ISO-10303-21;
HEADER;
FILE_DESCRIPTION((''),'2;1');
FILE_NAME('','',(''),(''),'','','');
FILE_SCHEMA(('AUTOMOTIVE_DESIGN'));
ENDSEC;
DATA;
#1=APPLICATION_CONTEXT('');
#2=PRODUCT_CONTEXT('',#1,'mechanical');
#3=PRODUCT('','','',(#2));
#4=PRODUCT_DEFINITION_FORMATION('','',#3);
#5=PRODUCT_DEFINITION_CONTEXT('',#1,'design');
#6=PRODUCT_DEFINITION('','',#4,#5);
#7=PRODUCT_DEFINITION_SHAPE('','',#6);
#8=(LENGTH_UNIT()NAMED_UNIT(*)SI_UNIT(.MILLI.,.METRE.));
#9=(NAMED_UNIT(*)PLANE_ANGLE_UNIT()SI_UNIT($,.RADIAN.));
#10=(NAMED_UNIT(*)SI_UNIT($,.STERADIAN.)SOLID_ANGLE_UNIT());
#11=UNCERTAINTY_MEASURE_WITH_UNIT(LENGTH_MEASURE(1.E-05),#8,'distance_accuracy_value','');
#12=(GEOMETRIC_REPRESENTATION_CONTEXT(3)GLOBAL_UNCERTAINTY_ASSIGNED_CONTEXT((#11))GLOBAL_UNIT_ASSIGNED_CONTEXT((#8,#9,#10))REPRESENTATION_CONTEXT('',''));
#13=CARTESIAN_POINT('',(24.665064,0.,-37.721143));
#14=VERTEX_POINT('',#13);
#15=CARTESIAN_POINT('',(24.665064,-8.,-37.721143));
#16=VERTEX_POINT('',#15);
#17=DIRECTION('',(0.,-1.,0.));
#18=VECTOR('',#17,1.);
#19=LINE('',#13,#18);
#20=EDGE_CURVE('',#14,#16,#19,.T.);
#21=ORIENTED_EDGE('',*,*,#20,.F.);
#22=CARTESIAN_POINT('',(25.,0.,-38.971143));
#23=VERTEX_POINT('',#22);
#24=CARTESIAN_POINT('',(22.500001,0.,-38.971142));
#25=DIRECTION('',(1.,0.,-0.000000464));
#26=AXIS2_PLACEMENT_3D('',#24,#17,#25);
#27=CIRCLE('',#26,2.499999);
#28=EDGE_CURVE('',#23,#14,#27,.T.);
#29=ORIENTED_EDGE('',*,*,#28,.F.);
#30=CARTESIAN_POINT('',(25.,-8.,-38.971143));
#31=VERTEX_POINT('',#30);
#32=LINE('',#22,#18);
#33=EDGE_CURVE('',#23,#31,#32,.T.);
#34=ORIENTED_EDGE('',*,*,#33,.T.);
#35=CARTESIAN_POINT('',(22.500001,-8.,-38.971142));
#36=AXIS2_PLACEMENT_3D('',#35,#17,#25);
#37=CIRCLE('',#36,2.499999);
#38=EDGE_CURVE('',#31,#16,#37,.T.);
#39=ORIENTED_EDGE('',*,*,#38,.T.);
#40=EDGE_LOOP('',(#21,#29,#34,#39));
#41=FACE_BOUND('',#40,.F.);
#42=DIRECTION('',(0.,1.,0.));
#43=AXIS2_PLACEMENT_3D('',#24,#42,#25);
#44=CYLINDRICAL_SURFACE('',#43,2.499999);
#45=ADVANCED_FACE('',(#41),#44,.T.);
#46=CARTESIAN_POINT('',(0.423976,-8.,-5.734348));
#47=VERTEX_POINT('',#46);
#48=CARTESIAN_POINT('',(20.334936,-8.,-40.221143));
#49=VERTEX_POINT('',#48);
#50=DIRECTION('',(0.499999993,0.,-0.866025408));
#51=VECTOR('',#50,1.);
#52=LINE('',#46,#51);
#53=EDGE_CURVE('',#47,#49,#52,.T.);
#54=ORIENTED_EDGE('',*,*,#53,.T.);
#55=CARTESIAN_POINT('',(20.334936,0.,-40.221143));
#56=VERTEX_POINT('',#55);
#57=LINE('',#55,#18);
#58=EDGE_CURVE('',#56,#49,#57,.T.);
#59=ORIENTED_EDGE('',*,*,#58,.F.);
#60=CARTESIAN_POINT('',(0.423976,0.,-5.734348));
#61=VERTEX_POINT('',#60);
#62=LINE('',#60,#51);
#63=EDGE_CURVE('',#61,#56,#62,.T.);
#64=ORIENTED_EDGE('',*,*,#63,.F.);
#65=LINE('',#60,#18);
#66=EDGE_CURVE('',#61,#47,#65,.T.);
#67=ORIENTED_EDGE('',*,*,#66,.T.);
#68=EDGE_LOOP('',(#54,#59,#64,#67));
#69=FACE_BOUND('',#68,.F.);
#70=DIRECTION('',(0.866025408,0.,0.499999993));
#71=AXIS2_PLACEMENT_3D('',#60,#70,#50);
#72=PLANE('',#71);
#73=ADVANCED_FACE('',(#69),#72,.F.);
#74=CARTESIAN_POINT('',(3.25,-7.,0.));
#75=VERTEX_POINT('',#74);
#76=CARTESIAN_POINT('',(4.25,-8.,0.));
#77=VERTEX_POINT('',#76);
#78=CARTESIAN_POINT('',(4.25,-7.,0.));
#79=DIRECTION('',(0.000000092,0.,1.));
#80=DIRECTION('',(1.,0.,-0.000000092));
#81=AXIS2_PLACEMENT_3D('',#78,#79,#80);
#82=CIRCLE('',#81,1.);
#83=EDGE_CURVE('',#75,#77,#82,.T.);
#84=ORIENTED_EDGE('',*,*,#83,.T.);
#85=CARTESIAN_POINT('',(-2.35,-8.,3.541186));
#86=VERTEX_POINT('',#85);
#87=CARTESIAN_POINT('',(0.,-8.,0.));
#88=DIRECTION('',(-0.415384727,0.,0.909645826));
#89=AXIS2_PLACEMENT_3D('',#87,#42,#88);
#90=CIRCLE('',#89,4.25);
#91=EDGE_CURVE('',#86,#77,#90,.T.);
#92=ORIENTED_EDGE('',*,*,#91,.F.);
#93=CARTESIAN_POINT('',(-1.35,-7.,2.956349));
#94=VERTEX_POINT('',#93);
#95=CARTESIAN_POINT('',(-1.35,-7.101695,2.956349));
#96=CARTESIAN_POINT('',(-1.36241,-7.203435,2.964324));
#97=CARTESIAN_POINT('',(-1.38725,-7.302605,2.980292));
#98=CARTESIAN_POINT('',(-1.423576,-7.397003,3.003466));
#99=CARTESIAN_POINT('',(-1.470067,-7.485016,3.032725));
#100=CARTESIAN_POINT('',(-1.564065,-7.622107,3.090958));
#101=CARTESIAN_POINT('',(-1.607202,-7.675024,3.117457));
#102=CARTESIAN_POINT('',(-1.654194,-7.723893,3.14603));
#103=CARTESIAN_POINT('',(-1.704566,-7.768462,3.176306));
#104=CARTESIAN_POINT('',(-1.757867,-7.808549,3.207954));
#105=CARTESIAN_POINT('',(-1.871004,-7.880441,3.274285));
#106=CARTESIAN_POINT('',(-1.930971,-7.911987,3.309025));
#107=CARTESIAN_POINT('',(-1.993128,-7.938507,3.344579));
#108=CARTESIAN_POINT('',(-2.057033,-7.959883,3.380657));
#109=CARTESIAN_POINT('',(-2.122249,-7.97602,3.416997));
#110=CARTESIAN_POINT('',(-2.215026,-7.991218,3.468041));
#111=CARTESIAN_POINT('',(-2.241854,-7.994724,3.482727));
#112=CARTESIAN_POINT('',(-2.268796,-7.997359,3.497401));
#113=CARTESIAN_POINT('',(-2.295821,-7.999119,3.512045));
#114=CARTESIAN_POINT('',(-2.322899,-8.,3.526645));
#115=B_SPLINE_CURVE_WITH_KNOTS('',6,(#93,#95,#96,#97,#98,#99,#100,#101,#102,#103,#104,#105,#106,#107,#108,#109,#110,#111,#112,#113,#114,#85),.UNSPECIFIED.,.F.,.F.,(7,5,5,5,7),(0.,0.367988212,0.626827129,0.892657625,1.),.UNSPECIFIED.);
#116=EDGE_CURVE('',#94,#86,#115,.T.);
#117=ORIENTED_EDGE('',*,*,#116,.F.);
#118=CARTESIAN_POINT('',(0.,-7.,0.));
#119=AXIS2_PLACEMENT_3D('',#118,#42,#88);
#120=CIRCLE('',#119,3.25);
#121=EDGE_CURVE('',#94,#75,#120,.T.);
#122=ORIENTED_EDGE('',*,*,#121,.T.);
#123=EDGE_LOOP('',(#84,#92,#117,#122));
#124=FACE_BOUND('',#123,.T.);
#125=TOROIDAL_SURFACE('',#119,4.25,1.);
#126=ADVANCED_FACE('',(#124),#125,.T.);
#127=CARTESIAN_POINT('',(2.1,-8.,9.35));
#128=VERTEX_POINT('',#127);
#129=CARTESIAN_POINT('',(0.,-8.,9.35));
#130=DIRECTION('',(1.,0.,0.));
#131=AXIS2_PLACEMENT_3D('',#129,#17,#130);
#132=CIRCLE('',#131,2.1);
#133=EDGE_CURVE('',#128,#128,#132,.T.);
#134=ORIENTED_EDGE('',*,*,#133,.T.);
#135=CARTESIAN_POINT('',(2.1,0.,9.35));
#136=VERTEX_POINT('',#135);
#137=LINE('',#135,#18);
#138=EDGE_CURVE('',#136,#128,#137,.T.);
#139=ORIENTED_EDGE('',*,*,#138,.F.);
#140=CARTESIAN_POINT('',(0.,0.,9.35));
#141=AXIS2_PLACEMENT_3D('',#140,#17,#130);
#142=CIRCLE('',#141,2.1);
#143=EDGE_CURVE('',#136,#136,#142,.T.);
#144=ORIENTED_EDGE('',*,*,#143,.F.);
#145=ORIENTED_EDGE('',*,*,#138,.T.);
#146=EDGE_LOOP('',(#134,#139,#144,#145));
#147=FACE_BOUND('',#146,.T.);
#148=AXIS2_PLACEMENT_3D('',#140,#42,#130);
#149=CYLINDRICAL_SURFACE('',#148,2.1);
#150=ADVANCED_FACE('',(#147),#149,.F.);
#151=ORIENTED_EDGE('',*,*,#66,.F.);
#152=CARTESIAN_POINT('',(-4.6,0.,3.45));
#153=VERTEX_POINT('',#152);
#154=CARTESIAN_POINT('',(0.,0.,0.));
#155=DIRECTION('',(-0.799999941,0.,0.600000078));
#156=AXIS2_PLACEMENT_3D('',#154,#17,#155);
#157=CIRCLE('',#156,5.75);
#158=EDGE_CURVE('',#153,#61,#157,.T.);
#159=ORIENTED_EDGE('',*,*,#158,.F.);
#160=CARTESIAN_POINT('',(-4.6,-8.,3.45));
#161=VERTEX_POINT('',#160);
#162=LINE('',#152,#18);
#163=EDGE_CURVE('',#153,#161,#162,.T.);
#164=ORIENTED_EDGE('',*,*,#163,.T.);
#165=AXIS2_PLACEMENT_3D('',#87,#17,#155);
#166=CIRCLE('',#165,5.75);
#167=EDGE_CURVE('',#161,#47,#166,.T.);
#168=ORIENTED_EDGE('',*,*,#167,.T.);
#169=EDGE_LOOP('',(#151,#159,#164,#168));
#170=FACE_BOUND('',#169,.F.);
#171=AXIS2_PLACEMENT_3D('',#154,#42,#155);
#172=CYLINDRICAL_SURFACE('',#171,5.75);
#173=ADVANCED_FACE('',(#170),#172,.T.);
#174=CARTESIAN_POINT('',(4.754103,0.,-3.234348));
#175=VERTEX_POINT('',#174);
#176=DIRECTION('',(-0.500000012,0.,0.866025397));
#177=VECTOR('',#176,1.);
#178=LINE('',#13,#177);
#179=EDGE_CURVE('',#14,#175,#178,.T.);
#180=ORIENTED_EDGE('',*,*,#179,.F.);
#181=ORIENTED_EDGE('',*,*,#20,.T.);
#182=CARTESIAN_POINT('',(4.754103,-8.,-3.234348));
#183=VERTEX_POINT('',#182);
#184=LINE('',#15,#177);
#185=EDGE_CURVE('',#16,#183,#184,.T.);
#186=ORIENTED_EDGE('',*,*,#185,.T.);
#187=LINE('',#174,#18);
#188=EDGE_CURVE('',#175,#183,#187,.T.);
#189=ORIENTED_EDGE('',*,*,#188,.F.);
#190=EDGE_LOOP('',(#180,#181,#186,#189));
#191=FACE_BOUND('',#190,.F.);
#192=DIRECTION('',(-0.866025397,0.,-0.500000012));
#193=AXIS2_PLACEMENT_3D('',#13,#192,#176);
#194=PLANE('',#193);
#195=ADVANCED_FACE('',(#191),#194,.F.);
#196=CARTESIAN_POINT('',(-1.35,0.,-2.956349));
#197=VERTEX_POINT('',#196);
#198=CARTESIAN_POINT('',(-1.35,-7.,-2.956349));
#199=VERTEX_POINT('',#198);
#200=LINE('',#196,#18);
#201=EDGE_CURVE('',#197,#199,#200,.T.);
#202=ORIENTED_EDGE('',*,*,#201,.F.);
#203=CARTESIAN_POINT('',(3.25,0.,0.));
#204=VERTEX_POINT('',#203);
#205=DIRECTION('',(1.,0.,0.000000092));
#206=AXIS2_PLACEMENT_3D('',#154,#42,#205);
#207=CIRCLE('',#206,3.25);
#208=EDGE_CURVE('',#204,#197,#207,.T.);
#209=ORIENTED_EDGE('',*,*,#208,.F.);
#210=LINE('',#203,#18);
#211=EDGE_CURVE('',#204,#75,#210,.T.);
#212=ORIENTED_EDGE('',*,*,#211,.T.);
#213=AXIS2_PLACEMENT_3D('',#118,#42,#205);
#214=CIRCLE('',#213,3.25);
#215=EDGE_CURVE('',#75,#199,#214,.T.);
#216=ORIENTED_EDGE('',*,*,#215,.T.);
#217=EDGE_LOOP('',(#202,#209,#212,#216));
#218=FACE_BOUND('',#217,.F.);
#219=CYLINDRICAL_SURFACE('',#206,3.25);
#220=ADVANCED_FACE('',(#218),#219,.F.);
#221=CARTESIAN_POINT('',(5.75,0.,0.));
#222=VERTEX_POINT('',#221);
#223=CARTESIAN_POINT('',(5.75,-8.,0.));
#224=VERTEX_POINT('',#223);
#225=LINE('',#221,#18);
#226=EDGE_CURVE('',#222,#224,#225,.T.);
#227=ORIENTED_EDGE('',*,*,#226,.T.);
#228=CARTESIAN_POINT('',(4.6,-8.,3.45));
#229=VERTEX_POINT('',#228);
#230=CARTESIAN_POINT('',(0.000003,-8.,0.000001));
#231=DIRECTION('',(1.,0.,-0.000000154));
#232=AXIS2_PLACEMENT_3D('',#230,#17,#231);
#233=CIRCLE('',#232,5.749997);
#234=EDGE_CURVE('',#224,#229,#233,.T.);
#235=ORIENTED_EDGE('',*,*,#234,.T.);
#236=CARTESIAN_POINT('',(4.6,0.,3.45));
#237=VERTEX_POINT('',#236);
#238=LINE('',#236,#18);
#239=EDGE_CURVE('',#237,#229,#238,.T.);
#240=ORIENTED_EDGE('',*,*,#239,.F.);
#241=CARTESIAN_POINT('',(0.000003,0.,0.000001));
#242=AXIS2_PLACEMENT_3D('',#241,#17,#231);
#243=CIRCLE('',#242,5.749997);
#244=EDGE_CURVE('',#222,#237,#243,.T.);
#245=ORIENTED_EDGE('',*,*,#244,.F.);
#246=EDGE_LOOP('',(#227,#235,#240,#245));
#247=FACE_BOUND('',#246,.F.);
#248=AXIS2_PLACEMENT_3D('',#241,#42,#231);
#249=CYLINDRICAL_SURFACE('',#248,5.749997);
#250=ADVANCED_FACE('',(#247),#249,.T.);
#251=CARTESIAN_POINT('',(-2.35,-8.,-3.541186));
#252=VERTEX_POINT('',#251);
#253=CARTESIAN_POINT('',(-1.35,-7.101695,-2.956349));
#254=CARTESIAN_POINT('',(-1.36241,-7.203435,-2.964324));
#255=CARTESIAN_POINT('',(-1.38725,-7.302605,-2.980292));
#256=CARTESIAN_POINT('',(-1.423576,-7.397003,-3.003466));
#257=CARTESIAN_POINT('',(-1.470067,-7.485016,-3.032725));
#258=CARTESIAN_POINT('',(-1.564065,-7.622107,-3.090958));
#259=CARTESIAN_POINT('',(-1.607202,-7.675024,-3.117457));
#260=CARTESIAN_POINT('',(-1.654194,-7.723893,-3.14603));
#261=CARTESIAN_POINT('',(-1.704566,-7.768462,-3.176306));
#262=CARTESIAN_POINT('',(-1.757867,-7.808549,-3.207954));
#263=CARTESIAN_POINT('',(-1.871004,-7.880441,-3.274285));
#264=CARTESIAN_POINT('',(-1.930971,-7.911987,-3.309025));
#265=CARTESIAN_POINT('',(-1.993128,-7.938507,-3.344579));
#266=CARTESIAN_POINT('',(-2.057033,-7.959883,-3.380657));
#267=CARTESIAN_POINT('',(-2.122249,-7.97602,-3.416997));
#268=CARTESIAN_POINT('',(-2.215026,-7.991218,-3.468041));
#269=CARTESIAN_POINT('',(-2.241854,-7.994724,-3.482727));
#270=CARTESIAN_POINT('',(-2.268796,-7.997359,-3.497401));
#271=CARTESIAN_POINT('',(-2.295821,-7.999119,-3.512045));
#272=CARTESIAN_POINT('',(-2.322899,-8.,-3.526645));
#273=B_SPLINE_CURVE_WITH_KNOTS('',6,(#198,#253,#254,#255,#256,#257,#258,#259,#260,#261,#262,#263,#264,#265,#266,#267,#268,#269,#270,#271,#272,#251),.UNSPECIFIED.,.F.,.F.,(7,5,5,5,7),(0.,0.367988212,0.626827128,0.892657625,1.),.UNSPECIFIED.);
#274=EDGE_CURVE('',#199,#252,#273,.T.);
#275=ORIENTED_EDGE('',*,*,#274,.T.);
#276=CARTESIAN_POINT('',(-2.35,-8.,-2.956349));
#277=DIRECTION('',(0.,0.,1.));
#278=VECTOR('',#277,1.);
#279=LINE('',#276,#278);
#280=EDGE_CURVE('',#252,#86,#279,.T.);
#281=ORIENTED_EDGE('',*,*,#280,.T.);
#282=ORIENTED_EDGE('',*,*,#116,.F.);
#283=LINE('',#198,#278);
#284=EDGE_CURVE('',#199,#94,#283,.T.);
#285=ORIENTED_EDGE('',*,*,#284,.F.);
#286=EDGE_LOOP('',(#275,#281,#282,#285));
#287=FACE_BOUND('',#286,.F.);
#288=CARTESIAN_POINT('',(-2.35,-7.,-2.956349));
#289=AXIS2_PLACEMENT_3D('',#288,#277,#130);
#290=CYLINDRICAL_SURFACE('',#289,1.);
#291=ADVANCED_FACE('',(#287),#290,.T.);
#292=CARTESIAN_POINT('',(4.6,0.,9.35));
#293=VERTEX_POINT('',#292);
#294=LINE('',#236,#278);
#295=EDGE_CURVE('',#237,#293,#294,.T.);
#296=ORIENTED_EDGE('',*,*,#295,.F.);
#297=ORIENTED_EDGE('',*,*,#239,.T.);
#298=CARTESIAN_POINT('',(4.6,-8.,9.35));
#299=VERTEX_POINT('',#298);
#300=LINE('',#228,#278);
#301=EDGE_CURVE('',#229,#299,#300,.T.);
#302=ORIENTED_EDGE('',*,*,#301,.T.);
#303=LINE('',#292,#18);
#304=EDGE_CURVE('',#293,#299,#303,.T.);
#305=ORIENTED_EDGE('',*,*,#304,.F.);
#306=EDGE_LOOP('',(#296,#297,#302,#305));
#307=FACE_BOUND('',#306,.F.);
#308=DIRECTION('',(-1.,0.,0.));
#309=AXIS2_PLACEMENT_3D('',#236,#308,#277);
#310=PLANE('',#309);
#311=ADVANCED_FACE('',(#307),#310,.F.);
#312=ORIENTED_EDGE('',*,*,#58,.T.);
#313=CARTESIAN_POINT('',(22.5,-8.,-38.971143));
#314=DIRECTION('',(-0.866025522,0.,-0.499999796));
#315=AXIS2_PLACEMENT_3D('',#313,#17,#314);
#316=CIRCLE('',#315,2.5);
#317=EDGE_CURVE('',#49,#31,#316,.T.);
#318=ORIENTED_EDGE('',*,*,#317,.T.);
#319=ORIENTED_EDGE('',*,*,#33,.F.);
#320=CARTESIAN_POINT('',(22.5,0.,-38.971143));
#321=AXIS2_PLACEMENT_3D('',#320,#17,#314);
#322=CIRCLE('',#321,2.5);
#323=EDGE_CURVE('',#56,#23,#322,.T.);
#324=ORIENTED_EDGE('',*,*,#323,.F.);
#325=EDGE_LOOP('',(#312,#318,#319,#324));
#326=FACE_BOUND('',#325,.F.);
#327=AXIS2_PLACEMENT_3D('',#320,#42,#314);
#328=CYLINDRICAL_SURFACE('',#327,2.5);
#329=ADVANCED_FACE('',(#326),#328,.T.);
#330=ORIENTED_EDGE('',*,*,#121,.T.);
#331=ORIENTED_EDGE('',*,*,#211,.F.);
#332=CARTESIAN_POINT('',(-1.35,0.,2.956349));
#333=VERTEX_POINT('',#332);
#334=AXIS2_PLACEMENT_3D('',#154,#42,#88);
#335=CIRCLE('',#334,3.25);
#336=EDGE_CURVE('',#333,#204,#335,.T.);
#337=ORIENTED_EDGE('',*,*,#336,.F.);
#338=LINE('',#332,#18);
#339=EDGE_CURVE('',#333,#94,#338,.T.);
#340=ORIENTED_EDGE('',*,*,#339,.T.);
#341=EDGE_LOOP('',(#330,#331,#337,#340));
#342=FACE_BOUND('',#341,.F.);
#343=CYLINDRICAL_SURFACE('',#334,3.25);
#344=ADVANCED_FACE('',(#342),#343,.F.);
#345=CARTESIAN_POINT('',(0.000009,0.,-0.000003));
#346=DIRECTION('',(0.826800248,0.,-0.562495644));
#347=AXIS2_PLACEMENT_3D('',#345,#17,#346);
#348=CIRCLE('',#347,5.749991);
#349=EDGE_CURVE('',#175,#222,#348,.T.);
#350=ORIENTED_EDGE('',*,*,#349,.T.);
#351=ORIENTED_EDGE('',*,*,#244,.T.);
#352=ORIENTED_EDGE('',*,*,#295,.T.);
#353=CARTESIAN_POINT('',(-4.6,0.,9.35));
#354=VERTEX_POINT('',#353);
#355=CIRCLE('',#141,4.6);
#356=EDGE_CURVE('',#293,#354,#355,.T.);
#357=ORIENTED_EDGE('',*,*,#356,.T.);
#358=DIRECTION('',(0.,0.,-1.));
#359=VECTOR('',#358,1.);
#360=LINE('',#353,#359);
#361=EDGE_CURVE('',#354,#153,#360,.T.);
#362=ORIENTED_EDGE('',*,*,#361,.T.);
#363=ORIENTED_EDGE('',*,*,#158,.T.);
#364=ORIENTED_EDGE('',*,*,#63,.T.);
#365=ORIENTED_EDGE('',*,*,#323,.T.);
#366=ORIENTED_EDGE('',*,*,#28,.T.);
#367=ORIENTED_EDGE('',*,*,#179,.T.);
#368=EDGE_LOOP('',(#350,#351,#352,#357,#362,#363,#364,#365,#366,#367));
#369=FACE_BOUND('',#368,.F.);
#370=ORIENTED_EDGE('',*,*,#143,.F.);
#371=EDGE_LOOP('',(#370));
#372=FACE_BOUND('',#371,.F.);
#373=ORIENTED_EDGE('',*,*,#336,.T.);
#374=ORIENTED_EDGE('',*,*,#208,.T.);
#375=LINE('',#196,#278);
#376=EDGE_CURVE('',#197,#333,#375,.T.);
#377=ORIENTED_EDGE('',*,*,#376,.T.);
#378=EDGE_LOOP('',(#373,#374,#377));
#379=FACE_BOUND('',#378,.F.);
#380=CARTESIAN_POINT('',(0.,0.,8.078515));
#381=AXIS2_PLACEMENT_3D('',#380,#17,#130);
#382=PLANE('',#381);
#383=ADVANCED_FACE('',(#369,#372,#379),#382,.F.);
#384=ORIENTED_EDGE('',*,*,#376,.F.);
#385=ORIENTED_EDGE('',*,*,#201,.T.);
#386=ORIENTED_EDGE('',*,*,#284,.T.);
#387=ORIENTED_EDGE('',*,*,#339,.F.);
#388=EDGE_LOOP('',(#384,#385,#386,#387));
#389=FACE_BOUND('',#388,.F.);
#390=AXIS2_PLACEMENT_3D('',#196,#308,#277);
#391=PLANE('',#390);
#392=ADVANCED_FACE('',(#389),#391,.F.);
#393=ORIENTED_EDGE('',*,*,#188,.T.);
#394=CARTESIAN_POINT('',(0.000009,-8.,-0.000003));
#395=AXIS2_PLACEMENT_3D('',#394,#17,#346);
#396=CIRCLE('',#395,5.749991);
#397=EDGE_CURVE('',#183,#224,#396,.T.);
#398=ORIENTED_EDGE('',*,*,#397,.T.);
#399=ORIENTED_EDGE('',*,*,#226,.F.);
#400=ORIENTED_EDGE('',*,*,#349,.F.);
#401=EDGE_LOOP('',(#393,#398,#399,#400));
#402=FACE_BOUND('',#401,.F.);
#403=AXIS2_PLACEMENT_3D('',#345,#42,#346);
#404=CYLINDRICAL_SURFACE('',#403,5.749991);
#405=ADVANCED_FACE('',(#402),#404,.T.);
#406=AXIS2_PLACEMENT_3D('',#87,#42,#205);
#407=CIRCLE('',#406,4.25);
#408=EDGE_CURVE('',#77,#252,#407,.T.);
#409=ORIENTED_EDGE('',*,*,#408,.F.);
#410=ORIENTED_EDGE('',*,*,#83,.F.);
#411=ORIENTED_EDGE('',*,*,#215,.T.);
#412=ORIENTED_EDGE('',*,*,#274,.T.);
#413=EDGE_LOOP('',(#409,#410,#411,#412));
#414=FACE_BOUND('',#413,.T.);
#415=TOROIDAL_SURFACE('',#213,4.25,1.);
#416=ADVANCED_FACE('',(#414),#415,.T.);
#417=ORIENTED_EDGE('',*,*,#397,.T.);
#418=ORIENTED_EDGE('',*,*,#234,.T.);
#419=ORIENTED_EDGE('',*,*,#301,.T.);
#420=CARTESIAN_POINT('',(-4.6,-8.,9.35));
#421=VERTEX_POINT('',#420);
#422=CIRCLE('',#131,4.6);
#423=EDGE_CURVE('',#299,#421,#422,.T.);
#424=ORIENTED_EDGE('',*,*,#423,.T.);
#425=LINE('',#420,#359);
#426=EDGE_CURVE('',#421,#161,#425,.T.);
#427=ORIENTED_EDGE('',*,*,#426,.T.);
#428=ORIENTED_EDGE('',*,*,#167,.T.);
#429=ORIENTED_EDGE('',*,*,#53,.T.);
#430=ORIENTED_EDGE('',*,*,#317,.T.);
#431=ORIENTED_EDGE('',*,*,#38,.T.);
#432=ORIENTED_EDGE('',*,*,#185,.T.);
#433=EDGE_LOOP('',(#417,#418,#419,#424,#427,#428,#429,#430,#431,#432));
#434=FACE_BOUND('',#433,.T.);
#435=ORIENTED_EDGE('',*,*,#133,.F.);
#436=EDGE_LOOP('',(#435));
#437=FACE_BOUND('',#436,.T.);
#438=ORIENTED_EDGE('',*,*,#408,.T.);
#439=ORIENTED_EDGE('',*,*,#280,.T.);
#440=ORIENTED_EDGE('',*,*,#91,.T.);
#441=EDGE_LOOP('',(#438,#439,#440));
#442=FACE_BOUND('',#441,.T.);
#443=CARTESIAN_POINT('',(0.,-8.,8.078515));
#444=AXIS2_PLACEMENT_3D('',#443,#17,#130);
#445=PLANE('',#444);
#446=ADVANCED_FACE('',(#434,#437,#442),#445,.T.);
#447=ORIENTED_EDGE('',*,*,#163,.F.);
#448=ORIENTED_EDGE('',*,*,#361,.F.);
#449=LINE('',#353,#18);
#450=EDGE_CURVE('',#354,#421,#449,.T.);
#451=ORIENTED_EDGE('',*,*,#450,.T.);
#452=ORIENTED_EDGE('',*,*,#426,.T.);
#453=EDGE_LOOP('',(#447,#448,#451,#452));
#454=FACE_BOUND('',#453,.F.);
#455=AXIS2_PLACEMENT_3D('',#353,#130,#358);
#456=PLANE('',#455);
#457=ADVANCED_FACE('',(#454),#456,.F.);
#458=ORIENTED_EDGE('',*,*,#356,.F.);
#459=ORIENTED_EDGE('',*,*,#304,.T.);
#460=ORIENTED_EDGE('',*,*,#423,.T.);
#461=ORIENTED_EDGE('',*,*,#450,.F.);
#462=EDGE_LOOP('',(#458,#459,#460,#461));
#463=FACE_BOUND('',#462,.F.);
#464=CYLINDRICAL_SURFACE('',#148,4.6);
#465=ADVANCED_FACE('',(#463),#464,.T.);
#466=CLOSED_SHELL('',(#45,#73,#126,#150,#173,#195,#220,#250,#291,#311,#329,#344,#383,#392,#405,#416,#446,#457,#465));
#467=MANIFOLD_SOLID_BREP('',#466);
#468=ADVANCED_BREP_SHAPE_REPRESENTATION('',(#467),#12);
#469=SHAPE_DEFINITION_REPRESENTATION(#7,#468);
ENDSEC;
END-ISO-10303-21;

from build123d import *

# Parameters (mm, degrees)
F0_R     = 2.1
F1_DEPTH = 8
F2_R     = 1


with BuildPart() as f1:
    # F0 (on Front) → F1 (new body)
    with BuildSketch(Plane.XZ):
        with BuildLine():
            ThreePointArc((-4.6, 3.45), (0, 5.75), (4.6, 3.45))
            Line((4.6, 3.45), (4.6, 9.35))
            ThreePointArc((4.6, 9.35), (0, 13.95), (-4.6, 9.35))
            Line((-4.6, 9.35), (-4.6, 3.45))
        make_face()
        with Locations((0, 9.35)):
            Circle(F0_R, mode=Mode.SUBTRACT)
        with BuildLine():
            ThreePointArc((4.754103, -3.234348), (5.495389, -1.692101), (5.75, 0))
            ThreePointArc((5.75, 0), (5.454929, 1.81831), (4.6, 3.45))
            ThreePointArc((4.6, 3.45), (0, 5.75), (-4.6, 3.45))
            ThreePointArc((-4.6, 3.45), (-5.044587, -2.759465), (0.423976, -5.734348))
            ThreePointArc((0.423976, -5.734348), (2.875, -4.979646), (4.754103, -3.234348))
        make_face()
        with BuildLine():
            ThreePointArc((-1.35, 2.956349), (1.757128, 2.734045), (3.25, 0))
            ThreePointArc((3.25, 0), (1.757128, -2.734045), (-1.35, -2.956349))
            ThreePointArc((-1.35, -2.956349), (-3.25, 0), (-1.35, 2.956349))
        make_face(mode=Mode.SUBTRACT)
        with BuildLine():
            Line((-1.35, -2.956349), (-1.35, 2.956349))
            ThreePointArc((-1.35, 2.956349), (-3.25, 0), (-1.35, -2.956349))
        make_face()
        with BuildLine():
            Line((24.665064, -37.721143), (4.754103, -3.234348))
            ThreePointArc((4.754103, -3.234348), (2.875, -4.979646), (0.423976, -5.734348))
            Line((0.423976, -5.734348), (20.334936, -40.221143))
            ThreePointArc((20.334936, -40.221143), (21.25, -36.80608), (24.665064, -37.721143))
        make_face()
        with BuildLine():
            ThreePointArc((25, -38.971143), (24.914815, -38.324096), (24.665064, -37.721143))
            ThreePointArc((24.665064, -37.721143), (21.25, -36.80608), (20.334936, -40.221143))
            ThreePointArc((20.334936, -40.221143), (23.147048, -41.385958), (25, -38.971143))
        make_face()
    extrude(amount=F1_DEPTH)

    # F2
    f2_edges = [f1.edges().sort_by_distance(p)[0] for p in [
        (1.757128, -8, 2.734045),
        (1.757128, -8, -2.734045),
        (-1.35, -8, 0),
    ]]
    fillet(f2_edges, radius=F2_R)


solid = f1.part
